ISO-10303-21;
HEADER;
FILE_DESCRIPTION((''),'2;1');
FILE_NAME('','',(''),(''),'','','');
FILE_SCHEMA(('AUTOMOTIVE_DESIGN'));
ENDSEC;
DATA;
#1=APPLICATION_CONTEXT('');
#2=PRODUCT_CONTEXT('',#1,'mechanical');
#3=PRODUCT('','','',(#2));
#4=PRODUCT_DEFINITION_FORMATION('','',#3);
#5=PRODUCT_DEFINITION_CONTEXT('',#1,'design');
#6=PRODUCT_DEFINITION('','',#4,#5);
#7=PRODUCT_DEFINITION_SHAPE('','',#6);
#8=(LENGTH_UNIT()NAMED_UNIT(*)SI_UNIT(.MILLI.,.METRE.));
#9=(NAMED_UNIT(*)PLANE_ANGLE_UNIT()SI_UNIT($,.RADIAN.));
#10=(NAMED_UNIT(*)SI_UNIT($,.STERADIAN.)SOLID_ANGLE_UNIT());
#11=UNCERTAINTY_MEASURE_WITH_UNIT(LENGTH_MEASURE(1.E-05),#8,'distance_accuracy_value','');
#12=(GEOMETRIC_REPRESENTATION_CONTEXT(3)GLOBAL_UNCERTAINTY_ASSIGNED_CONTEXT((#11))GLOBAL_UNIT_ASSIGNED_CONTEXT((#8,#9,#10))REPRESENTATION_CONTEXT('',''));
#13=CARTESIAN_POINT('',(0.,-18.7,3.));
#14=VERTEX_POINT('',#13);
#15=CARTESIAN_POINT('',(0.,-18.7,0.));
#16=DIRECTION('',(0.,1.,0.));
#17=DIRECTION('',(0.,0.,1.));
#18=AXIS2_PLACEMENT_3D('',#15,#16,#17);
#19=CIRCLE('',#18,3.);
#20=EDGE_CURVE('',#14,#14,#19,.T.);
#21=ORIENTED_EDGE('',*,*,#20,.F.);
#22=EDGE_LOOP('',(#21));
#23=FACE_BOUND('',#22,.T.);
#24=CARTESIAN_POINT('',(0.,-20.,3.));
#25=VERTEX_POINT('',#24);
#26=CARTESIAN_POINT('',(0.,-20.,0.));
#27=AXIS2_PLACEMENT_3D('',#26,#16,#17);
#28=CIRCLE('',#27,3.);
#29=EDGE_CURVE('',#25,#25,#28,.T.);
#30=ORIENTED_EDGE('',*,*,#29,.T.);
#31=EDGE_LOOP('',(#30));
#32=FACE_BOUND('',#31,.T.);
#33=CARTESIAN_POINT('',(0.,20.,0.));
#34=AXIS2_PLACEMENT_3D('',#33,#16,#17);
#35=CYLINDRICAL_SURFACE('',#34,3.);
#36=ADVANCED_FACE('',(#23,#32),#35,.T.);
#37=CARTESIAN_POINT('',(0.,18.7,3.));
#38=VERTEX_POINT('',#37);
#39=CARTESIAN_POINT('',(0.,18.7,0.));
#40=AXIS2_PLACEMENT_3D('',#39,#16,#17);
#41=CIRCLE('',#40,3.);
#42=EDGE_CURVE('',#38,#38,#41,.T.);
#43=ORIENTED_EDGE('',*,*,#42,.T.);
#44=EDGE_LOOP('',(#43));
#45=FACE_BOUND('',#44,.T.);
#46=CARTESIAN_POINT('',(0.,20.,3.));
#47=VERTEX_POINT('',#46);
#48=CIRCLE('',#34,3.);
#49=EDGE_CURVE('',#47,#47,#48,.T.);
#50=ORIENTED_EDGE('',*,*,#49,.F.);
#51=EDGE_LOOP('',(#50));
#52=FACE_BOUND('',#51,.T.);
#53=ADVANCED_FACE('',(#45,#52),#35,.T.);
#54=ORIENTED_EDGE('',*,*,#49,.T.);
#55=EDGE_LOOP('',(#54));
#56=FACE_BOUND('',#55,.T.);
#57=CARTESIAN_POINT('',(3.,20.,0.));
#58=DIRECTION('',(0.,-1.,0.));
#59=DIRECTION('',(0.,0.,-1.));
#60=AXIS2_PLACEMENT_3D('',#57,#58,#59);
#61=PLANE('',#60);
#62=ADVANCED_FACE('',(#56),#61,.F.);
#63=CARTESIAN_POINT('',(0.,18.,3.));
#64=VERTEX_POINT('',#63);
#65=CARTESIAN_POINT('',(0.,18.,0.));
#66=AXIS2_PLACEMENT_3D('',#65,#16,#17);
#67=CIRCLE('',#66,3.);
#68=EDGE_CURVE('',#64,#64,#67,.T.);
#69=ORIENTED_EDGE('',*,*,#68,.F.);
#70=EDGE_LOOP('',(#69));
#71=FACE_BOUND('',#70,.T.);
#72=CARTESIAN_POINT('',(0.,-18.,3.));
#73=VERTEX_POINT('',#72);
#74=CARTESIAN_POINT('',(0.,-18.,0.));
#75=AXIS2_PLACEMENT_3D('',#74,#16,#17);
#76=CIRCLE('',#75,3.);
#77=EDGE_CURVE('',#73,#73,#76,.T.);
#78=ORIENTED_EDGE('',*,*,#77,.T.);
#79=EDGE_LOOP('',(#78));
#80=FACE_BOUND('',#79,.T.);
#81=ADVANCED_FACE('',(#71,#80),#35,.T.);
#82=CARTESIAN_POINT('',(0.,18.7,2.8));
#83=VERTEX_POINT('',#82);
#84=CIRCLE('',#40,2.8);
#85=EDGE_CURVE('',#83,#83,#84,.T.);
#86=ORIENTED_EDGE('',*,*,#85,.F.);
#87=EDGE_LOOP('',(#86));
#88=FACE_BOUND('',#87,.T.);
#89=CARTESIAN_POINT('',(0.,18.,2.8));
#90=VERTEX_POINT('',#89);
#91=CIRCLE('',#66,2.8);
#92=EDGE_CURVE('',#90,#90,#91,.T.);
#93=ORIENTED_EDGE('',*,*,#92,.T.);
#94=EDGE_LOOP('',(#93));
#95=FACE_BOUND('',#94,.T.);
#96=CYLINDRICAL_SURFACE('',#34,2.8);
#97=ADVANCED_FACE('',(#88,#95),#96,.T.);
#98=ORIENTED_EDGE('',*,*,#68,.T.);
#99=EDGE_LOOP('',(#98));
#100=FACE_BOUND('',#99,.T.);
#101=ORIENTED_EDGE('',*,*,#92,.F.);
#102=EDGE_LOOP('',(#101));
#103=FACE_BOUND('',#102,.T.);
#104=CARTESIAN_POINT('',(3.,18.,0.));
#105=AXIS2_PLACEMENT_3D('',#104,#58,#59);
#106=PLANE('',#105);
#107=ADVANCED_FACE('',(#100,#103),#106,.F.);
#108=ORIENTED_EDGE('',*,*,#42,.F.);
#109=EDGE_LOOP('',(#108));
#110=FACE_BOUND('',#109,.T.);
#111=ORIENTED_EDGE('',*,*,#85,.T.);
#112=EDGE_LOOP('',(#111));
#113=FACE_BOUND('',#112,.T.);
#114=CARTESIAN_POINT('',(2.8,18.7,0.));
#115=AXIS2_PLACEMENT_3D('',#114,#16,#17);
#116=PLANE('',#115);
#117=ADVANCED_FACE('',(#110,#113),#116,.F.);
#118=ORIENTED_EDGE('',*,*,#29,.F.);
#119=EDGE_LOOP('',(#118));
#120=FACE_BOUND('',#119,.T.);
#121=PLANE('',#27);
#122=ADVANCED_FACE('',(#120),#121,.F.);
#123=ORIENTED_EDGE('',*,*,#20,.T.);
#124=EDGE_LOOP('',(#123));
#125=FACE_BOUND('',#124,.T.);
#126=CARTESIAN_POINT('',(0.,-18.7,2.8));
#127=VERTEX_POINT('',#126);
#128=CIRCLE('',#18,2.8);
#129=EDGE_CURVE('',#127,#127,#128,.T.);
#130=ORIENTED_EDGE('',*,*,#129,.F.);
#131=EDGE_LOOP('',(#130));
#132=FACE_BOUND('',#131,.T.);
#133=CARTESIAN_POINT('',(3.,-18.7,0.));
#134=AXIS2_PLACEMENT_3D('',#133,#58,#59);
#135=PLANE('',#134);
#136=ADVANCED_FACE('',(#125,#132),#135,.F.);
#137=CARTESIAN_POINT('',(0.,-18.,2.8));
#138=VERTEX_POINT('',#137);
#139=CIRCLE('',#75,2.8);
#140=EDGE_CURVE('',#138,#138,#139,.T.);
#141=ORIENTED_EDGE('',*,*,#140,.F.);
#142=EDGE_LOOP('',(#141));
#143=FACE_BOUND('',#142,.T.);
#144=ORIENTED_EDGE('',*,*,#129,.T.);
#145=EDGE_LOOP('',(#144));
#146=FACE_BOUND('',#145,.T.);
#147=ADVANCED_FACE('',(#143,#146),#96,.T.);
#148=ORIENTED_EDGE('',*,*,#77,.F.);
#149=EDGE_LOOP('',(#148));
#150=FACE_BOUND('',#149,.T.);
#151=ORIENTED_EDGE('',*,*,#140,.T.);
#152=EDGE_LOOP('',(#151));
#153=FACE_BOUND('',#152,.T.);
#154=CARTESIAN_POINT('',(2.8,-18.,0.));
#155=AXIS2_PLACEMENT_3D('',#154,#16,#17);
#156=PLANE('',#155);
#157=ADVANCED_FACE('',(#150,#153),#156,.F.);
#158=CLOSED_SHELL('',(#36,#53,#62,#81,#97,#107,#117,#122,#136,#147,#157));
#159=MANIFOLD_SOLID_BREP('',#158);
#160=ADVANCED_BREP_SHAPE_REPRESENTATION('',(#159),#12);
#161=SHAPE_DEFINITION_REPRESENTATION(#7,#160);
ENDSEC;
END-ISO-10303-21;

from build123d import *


with BuildPart() as part:
    # 草图1 → 旋转1 (revolve)
    with BuildSketch(Plane.XY):
        Polygon((0, -20), (3, -20), (3, -18.7), (2.8, -18.7), (2.8, -18), (3, -18), (3, 18), (2.8, 18), (2.8, 18.7), (3, 18.7), (3, 20), (0, 20), align=None)
    revolve(axis=Axis((0, 20, 0), (0, -1, 0)))


solid = part.part
